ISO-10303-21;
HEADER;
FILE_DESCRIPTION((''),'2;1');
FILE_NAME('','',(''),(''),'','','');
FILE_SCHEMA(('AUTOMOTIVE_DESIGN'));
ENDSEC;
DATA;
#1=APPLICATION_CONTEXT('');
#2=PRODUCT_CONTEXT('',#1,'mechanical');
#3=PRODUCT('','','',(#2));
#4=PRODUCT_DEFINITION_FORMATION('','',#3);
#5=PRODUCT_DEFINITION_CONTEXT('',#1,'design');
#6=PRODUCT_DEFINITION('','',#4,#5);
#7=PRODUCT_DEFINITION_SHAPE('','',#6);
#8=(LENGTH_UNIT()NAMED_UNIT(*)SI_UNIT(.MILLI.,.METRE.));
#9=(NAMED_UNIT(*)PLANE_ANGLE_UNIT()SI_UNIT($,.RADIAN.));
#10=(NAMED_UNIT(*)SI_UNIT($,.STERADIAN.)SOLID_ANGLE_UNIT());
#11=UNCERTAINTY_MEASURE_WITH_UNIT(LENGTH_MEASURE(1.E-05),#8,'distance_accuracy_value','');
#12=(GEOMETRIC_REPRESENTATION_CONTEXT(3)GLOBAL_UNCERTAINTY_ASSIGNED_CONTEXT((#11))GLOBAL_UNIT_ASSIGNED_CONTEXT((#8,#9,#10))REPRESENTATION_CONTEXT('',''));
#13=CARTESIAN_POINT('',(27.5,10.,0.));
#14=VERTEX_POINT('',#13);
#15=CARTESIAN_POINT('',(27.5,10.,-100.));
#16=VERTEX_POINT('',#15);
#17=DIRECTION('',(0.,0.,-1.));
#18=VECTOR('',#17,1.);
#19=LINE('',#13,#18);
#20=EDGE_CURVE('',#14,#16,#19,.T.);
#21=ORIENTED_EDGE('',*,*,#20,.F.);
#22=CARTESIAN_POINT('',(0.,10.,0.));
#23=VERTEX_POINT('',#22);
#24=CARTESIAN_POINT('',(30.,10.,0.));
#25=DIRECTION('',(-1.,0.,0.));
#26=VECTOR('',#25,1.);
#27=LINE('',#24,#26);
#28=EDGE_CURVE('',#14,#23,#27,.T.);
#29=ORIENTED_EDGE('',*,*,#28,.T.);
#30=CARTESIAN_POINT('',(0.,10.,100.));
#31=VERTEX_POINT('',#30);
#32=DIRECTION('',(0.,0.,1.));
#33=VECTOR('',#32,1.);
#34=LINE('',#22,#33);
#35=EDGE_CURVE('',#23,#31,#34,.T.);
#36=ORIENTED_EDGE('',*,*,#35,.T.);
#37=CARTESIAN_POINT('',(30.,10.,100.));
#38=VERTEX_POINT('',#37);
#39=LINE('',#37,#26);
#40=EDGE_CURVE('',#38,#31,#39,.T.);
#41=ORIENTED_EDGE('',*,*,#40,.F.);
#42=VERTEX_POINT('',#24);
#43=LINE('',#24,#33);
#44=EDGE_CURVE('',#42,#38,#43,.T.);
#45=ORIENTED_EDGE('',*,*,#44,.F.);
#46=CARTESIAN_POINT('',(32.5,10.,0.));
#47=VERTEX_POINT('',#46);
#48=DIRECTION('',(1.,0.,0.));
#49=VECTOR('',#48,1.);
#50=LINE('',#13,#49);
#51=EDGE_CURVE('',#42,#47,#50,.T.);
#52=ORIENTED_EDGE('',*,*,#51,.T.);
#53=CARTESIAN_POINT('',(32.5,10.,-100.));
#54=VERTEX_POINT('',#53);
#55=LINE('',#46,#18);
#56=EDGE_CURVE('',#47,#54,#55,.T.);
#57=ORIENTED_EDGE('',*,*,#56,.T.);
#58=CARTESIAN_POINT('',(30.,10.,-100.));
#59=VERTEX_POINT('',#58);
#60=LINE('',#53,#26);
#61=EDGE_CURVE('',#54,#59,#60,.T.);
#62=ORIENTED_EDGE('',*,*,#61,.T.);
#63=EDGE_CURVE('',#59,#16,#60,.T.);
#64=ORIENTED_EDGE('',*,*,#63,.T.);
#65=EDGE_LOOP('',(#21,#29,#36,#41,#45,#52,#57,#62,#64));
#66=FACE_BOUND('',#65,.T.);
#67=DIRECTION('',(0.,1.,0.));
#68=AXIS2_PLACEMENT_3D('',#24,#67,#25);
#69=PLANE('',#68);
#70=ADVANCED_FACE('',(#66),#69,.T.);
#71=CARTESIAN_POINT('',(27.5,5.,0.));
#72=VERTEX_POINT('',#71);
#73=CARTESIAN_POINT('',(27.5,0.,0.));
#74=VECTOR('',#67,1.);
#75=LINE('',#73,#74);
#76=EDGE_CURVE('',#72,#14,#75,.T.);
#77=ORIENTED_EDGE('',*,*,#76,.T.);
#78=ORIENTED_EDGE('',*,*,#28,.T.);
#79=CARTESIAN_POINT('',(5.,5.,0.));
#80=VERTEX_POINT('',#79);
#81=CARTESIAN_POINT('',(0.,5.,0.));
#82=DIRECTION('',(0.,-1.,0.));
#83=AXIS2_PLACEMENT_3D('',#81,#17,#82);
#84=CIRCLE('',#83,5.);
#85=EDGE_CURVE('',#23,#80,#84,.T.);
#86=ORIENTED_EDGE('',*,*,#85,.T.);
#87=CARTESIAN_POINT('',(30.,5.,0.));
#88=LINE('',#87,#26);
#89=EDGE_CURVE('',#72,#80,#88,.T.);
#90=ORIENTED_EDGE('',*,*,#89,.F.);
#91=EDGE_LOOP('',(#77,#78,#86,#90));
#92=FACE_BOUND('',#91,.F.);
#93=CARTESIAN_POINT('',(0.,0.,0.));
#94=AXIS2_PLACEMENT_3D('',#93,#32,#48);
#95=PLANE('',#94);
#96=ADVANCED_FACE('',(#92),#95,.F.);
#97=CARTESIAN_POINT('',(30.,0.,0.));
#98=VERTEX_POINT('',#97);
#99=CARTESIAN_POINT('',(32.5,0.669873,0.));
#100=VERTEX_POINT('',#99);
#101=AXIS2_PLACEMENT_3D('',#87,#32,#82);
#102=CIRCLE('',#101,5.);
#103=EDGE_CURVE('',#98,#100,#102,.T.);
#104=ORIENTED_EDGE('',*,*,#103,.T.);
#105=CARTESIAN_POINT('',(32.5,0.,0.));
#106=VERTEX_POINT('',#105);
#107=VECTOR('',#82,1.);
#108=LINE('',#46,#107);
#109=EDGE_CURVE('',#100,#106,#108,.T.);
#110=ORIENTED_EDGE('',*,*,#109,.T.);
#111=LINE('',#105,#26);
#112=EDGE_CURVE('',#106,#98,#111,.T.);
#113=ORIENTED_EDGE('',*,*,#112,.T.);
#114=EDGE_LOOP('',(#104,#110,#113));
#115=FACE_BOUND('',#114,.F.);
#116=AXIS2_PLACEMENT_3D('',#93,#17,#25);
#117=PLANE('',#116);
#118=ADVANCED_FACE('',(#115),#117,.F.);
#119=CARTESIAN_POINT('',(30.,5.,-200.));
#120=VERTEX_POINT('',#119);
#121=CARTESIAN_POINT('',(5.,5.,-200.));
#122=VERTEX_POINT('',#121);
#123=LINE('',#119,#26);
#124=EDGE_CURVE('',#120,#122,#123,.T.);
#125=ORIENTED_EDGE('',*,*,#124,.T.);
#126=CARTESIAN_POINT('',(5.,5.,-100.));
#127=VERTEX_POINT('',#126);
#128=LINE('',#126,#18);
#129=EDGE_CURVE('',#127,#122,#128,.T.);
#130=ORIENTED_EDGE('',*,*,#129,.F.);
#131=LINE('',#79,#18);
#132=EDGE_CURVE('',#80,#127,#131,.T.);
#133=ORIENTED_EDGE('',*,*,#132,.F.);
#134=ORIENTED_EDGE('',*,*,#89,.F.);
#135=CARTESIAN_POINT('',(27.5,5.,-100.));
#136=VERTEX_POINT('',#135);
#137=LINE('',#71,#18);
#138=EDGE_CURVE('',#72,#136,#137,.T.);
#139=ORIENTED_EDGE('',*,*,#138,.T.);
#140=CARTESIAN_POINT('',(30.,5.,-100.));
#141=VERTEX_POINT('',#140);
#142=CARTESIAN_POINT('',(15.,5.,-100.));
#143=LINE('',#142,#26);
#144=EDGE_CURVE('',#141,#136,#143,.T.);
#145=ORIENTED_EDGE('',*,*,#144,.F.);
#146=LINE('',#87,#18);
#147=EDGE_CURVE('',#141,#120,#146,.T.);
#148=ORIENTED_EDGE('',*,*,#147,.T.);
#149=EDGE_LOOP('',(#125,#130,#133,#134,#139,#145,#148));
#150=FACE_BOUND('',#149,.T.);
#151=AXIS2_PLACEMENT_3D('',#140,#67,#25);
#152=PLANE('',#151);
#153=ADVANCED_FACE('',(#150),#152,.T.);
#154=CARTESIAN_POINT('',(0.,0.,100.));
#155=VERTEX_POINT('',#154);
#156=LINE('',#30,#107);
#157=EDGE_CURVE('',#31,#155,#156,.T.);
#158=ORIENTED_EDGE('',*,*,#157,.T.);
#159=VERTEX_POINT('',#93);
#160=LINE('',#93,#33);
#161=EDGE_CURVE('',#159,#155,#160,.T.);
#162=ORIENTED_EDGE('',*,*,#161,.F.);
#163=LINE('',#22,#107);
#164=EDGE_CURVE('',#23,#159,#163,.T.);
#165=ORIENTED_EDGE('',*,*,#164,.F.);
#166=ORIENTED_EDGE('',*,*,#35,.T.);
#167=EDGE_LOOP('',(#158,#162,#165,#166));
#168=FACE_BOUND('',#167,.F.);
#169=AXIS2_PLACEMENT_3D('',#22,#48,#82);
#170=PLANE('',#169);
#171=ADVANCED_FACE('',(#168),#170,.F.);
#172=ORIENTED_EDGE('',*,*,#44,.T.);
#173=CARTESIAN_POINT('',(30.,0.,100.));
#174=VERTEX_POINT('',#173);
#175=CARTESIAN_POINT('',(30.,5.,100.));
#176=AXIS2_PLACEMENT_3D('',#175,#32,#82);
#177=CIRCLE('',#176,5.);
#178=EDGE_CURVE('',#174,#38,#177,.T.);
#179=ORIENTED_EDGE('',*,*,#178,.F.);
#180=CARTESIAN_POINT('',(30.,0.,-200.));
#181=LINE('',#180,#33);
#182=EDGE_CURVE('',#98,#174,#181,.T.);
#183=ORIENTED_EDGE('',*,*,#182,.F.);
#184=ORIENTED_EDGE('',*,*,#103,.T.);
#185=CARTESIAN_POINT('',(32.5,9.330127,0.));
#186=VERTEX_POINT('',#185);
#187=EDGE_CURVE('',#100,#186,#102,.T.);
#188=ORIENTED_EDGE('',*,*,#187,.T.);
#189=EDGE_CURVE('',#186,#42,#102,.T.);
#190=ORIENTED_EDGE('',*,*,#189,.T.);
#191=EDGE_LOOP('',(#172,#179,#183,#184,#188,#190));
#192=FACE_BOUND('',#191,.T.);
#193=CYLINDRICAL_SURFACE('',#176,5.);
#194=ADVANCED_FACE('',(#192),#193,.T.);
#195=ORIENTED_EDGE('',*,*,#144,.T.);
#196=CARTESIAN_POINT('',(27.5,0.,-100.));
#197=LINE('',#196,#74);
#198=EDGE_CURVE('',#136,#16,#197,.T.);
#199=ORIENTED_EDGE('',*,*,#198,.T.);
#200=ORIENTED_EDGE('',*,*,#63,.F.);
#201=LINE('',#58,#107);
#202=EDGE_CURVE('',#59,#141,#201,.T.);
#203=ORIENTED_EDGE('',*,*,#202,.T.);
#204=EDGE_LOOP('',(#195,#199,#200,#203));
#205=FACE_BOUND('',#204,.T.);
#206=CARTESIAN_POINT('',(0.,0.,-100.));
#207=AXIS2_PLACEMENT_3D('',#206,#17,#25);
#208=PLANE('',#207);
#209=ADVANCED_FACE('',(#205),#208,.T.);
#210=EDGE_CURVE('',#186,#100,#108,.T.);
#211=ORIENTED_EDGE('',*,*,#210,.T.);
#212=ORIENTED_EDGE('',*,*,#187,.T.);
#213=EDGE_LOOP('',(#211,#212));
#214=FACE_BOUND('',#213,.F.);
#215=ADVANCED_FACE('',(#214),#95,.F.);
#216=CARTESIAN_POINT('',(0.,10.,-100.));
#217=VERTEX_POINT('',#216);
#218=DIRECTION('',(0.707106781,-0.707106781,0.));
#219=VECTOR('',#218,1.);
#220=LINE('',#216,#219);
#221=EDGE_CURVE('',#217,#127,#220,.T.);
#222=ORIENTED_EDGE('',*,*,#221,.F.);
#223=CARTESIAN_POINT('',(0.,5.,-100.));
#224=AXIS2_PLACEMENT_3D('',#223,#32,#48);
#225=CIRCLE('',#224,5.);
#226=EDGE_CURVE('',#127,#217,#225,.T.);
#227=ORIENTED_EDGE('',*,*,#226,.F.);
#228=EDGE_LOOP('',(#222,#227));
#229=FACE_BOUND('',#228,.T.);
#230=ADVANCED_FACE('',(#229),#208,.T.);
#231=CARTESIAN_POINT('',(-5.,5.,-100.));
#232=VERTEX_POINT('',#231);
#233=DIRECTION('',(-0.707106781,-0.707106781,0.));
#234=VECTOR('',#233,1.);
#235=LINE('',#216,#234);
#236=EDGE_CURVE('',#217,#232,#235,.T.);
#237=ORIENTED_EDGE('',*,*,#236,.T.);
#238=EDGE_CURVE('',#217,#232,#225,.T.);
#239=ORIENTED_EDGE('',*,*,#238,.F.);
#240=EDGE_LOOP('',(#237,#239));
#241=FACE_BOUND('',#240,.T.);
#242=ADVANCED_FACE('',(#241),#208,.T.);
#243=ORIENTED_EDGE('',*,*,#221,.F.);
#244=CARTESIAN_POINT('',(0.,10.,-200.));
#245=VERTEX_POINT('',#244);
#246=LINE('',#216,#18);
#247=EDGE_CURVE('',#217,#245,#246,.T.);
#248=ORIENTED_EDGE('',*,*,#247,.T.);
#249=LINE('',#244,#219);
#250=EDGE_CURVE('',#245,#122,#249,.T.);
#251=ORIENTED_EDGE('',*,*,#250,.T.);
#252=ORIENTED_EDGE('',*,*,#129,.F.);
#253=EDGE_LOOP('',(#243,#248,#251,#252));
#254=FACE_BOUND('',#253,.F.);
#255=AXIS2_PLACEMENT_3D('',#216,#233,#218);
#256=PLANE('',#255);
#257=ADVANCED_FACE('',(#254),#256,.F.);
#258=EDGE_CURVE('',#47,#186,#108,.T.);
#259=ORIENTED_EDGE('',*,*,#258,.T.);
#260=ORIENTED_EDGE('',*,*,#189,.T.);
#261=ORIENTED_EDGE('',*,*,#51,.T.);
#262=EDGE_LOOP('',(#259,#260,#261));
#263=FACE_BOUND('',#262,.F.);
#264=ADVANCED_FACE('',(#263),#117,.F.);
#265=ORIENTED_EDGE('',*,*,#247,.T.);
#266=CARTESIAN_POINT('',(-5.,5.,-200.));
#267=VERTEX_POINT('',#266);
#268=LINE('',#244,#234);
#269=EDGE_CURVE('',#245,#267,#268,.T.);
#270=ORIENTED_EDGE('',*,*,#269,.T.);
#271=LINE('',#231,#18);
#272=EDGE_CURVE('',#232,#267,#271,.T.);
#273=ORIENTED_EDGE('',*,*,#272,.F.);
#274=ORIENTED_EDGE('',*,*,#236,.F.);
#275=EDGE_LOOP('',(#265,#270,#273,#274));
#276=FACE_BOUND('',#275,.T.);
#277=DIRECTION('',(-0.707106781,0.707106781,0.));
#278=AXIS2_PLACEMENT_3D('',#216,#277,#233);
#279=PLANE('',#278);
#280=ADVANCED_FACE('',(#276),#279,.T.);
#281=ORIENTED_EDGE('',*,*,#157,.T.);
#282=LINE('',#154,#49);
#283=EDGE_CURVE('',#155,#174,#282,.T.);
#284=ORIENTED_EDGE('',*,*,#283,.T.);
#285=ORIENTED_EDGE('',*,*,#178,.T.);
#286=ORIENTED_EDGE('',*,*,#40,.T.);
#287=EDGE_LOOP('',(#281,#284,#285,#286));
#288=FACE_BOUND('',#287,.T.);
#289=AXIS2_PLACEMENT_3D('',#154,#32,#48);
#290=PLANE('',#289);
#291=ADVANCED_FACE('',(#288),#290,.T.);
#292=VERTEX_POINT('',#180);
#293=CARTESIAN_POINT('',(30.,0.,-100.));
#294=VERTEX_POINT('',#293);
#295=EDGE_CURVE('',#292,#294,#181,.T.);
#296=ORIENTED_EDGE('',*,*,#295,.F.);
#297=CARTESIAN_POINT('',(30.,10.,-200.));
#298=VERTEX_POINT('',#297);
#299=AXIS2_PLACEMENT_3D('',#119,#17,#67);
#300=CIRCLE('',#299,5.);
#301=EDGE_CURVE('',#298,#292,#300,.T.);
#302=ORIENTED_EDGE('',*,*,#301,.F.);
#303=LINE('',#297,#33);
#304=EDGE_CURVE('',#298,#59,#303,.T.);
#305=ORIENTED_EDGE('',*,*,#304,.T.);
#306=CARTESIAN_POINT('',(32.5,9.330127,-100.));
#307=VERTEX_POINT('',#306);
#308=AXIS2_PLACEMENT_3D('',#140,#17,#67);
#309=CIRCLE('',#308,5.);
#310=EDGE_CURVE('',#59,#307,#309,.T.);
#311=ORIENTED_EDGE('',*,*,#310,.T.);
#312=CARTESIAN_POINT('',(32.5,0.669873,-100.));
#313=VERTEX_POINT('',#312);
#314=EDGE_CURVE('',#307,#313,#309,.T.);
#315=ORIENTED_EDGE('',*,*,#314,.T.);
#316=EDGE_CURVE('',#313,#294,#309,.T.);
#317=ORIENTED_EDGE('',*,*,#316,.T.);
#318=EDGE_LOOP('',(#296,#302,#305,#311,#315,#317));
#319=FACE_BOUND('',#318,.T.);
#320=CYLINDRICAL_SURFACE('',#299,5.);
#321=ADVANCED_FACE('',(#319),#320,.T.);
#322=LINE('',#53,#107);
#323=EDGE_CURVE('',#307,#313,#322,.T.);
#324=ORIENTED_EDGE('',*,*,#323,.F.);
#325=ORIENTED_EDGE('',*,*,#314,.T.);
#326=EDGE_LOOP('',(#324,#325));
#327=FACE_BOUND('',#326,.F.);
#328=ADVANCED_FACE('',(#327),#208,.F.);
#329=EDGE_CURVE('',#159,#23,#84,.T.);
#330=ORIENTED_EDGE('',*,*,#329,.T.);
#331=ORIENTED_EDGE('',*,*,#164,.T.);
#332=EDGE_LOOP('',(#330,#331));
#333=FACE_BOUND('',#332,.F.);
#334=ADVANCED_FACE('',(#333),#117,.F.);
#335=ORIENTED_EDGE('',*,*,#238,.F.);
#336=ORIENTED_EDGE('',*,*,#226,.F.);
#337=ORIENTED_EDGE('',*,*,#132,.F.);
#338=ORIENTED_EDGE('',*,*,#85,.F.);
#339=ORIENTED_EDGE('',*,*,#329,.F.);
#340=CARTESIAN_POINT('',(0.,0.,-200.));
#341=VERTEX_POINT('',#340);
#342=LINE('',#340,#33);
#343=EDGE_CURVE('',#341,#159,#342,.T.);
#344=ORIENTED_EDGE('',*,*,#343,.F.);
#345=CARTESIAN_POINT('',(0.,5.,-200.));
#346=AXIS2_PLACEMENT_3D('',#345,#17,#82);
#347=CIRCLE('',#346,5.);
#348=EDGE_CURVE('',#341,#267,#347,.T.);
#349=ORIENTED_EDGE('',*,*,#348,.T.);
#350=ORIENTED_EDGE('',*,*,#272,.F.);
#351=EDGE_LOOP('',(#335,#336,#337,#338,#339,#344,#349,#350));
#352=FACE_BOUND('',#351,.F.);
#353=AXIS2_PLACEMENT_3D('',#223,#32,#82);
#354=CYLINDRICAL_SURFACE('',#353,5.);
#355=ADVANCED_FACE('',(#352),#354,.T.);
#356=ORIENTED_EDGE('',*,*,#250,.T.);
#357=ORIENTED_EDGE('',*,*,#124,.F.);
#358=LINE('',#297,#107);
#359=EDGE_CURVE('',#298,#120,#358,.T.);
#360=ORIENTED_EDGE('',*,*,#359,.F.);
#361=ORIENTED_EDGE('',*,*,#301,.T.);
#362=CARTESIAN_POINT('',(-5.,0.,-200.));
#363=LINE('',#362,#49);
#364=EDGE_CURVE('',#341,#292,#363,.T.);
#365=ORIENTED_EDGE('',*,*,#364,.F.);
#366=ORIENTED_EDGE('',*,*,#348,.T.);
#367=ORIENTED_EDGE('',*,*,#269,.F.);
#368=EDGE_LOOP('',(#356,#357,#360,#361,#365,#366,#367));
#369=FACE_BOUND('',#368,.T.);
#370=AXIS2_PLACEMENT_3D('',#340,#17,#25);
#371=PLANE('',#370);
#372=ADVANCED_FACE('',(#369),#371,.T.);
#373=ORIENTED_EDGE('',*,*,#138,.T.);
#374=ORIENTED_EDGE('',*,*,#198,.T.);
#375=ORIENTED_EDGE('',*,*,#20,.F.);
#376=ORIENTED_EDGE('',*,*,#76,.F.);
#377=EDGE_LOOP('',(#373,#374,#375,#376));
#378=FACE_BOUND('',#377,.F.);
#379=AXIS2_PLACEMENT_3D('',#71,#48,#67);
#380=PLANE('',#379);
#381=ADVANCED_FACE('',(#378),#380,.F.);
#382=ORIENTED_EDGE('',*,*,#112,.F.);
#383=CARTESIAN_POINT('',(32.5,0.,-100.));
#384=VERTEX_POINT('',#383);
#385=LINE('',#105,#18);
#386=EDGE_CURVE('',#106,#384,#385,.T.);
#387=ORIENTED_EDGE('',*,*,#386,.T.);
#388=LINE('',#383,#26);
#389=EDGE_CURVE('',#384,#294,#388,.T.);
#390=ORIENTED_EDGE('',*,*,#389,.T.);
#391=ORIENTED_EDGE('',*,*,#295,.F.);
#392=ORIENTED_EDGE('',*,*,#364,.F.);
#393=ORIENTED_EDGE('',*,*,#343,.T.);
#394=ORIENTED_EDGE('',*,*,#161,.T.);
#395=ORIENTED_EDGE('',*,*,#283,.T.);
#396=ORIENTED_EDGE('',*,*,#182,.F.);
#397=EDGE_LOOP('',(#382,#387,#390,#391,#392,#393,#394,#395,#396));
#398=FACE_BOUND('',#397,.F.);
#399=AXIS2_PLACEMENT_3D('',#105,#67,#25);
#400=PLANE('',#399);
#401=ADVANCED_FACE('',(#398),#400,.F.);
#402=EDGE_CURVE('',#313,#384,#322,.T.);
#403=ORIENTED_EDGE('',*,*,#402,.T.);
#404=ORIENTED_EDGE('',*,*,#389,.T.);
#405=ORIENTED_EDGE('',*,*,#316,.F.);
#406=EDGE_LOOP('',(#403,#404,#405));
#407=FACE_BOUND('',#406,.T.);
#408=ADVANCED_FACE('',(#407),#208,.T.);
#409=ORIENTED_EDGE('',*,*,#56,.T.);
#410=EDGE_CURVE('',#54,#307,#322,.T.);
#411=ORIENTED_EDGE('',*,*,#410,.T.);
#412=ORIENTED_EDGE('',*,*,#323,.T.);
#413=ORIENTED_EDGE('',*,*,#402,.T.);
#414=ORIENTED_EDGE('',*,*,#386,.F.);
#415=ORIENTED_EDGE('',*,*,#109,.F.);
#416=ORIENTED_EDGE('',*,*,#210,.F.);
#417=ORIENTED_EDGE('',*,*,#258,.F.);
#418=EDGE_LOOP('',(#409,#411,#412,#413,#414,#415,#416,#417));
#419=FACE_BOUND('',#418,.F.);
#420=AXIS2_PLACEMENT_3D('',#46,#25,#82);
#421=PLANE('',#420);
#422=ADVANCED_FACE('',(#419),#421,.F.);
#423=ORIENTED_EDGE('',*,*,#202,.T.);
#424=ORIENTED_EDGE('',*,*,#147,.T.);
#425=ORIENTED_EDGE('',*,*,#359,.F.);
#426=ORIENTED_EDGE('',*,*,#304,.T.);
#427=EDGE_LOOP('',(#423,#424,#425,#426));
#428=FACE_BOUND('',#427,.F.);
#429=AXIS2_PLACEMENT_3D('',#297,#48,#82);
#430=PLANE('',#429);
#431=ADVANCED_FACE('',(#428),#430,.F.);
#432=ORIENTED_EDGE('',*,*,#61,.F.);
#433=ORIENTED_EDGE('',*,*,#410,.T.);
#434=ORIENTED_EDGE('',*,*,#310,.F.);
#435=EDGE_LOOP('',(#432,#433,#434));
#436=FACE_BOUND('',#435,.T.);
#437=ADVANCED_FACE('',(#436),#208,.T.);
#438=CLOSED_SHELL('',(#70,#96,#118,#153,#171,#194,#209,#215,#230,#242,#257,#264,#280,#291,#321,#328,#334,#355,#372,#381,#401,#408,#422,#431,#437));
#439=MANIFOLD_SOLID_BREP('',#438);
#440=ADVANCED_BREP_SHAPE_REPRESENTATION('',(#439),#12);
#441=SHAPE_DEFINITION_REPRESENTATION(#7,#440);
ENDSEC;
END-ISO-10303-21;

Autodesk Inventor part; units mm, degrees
ref_plane "YZ Plane" through (0, 0, 0) normal (1, 0, 0) x (0, 1, 0)
ref_plane "XZ Plane" through (0, 0, 0) normal (0, 1, 0) x (-1, 0, 0)
ref_plane "XY Plane" through (0, 0, 0) normal (0, 0, 1) x (1, 0, 0)
sketch "Sketch1" plane through (0, 0, 0) normal (0, 0, 1) x (1, 0, 0)
  line L0 (0, 0) -> (30, 0)
  line L1 (30, 0) -> (30, 10)
  line L2 (30, 10) -> (0, 10)
  line L3 (0, 10) -> (0, 0)
  dimension "d0" = 30
  dimension "d1" = 10
extrude "Extrusion1" add sketch "Sketch1" along normal blind 100
sketch "Sketch2" plane through (0, 0, 0) normal (0, 0, -1) x (-1, 0, 0)
  line L0 (0, 10) -> (0, 0) projected
  line L1 (-30, 10) -> (0, 10) projected
  arc A0 (0, 0) -> (-5, 5) centre (0, 5) ccw
  line L2 (-30, 0) -> (-30, 10) projected
  line L3 (-30, 5) -> (-5, 5)
  line L4 (0, 0) -> (-30, 0)
  line L5 (-30, 0) -> (-30, 5)
extrude "Extrusion2" add sketch "Sketch2" along normal blind 100 contours A0 L0 | L0 L4 L2 L3 A0
sketch "Sketch3" plane through (0, 0, -100) normal (0, 0, -1) x (-1, 0, 0)
  line L0 (-30, 10) -> (0, 10) projected
  line L1 (0, 10) -> (-5, 5)
  arc A0 (0, 0) -> (-5, 5) centre (0, 5) ccw projected
  line L2 (0, 10) -> (5, 5)
  line L3 (-30, 0) -> (-30, 10) projected
  line L4 (-30, 5) -> (-5, 5)
  line L5 (5, 5) -> (5, 0)
  line L6 (5, 0) -> (-30, 0)
  line L7 (-30, 0) -> (-30, 5)
extrude "Extrusion3" add sketch "Sketch3" along normal blind 100 contours L2 A0 L6 L3 L4 L1
sketch "Sketch4" plane through (0, 0, 100) normal (0, 0, 1) x (1, 0, 0)
  line L0 (30, 5) -> (5, 5) projected
  line L1 (30, 0) -> (30, 10) projected
  arc A0 (30, 0) -> (30, 10) centre (30, 5) ccw
  line L2 (30, 10) -> (30, 0)
  point P0 (0, 0)
extrude "Extrusion4" add sketch "Sketch4" against normal up to surface (100 mm away)
sketch "Sketch5" plane through (0, 0, 0) normal (0, 0, -1) x (-1, 0, 0)
  line L0 (-30, 10) -> (0, 10) projected
  line L1 (-32.5, 0) -> (-27.5, 0)
  line L2 (-27.5, 0) -> (-27.5, 10)
  line L3 (-27.5, 10) -> (-32.5, 10)
  line L4 (-32.5, 10) -> (-32.5, 0)
  line L5 (-30, 5) -> (-5, 5) projected
  line L6 (-32.5, 0) -> (-27.5, 10) construction
  line L7 (-27.5, 0) -> (-32.5, 10) construction
  point P0 (0, 0)
  dimension "d10" = 5
extrude "Extrusion5" add sketch "Sketch5" along normal blind 100
sketch "Sketch6" plane through (0, 0, -200) normal (0, 0, -1) x (-1, 0, 0)
  line L0 (-5, 5) -> (-30, 5) projected
  arc A0 (-30, 10) -> (-30, 0) centre (-30, 5) ccw
  line L1 (-30, 10) -> (0, 10) projected
  line L2 (-30, 5) -> (-30, 0) projected
  line L3 (-30, 10) -> (-30, 0)
  point P0 (0, 0)
extrude "Extrusion6" add sketch "Sketch6" against normal up to surface (100 mm away)
properties part number "edges_3DPrint"
